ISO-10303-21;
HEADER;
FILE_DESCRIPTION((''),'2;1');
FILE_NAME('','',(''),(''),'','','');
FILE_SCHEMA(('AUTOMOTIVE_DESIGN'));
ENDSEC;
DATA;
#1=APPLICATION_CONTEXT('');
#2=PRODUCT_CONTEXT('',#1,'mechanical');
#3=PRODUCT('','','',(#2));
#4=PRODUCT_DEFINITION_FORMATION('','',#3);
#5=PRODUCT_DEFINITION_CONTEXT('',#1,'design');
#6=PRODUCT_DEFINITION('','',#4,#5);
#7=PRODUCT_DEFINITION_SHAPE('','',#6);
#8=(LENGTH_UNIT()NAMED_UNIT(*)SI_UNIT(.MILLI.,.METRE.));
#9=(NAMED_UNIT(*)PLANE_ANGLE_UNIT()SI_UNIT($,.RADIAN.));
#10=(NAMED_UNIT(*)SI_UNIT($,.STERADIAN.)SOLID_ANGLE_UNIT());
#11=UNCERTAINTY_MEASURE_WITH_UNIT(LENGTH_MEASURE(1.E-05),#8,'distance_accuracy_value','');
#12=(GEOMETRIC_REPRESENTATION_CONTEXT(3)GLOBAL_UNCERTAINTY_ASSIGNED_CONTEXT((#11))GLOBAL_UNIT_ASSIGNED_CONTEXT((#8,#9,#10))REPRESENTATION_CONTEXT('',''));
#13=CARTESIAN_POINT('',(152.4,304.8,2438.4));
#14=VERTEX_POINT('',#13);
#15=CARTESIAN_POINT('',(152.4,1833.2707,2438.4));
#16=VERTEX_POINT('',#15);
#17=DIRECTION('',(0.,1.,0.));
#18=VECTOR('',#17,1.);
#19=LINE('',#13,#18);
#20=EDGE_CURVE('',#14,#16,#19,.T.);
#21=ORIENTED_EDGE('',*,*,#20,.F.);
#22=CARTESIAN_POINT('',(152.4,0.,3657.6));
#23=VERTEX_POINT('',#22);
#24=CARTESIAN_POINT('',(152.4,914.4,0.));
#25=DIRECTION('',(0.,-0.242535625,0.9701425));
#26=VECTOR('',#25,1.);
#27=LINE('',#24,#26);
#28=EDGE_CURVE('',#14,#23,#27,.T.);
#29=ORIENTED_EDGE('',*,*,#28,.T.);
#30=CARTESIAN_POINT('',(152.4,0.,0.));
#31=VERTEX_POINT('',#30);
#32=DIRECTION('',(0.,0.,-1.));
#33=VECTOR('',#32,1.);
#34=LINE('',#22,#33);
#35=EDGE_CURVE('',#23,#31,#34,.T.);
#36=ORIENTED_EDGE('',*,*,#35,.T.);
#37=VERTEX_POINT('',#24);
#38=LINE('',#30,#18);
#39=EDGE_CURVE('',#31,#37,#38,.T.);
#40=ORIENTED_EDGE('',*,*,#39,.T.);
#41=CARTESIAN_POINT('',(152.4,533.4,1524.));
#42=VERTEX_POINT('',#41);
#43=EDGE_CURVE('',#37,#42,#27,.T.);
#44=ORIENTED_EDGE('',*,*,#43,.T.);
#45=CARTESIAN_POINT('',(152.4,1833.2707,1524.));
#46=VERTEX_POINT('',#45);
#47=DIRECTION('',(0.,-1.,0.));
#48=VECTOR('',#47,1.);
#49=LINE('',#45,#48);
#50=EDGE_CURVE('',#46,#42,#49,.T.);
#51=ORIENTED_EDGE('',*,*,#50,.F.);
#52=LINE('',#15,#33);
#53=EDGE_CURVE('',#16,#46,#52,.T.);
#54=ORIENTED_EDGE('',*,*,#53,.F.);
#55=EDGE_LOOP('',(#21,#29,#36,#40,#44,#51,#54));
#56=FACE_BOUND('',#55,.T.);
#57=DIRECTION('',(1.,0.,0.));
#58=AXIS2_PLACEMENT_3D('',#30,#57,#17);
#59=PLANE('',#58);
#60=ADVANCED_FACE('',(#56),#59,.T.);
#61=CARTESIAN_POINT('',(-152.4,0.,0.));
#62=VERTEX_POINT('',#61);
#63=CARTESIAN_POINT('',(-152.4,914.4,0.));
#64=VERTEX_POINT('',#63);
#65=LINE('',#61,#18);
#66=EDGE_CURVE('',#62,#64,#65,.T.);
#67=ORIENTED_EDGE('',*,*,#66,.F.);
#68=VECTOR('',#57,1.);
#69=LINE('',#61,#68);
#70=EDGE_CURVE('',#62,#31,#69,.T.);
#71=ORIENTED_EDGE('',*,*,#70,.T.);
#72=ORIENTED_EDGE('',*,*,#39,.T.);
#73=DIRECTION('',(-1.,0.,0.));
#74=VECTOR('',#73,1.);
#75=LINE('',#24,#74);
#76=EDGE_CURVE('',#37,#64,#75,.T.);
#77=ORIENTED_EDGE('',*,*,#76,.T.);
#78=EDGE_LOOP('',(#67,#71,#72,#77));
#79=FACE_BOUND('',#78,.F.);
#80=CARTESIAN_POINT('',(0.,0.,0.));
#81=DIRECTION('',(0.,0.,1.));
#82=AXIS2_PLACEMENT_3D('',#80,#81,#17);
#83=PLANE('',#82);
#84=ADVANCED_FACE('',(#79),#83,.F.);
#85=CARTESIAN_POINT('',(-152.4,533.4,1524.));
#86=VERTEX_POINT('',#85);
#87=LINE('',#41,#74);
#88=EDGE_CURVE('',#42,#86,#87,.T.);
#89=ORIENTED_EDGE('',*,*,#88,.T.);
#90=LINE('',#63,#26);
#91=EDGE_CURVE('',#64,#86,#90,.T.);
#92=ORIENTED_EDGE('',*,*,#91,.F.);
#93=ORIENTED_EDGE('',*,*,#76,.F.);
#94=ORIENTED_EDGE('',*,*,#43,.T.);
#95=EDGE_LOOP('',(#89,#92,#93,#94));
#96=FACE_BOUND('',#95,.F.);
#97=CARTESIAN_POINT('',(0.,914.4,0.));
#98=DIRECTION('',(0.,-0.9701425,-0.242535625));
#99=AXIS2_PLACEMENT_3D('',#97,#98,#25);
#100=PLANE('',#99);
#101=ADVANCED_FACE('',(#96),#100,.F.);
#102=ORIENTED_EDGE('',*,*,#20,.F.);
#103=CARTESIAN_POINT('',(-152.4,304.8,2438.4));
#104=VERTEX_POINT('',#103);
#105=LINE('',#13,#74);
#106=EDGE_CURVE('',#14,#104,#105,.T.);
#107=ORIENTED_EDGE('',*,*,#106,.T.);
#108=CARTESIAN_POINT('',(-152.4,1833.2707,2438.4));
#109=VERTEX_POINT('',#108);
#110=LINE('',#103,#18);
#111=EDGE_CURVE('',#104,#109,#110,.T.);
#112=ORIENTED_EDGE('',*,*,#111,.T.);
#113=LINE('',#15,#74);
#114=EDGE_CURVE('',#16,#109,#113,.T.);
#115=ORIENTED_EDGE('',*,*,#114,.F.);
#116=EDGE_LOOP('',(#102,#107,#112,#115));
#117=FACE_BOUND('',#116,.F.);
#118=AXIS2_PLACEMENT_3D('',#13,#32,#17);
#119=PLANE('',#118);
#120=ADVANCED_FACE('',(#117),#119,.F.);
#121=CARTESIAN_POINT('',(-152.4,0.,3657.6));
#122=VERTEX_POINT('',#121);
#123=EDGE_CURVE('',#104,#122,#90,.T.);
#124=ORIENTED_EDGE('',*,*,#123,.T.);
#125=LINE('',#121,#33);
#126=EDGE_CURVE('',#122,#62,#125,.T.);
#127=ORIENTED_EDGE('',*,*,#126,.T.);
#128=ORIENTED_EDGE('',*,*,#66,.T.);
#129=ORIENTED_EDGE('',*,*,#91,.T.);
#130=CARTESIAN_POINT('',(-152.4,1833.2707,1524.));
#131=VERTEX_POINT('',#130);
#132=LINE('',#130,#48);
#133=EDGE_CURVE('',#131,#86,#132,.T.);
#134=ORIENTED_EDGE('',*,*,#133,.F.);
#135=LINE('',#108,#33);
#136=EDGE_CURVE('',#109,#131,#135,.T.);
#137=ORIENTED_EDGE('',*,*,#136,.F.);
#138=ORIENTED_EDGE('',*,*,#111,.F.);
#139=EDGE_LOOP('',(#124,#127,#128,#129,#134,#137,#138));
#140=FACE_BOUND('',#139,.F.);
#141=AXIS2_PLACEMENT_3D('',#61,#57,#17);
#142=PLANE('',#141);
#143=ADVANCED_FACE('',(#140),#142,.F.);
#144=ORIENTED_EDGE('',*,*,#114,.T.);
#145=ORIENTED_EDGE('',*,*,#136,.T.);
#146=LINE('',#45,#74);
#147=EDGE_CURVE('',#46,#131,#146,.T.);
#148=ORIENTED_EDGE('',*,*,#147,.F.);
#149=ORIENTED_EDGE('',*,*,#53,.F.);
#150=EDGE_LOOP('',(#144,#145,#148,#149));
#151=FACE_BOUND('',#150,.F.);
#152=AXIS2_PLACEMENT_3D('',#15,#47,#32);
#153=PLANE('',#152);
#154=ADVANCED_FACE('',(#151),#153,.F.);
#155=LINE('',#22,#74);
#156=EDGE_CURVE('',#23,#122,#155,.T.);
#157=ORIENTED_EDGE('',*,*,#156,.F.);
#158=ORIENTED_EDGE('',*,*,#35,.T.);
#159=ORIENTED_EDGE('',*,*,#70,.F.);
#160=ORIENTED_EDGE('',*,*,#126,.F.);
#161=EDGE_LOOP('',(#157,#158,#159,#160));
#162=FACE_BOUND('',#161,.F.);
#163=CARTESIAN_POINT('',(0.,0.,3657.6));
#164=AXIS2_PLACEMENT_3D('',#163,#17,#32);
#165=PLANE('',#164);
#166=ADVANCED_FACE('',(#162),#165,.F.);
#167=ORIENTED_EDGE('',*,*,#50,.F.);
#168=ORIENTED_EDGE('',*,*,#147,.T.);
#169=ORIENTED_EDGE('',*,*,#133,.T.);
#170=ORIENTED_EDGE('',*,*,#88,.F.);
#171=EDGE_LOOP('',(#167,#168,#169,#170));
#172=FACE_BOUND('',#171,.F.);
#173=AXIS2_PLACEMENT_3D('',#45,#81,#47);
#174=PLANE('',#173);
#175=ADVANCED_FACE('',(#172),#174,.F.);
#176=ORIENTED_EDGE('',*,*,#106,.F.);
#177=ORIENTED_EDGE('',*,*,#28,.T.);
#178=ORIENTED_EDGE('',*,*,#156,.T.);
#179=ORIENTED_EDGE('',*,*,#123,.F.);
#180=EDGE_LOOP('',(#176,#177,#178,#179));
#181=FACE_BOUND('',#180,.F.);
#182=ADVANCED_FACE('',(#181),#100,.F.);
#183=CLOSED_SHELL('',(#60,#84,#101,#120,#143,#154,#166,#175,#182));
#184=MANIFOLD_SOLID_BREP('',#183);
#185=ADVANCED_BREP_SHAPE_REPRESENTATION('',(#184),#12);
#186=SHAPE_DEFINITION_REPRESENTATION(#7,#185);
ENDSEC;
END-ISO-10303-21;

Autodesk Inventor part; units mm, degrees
ref_plane "YZ Plane" through (0, 0, 0) normal (1, 0, 0) x (0, 1, 0)
ref_plane "XZ Plane" through (0, 0, 0) normal (0, 1, 0) x (-1, 0, 0)
ref_plane "XY Plane" through (0, 0, 0) normal (0, 0, 1) x (1, 0, 0)
sketch "Sketch1" plane through (0, 0, 0) normal (1, 0, 0) x (0, 1, 0)
  line L0 (0, 0) -> (914.4, 0)
  line L1 (914.4, 0) -> (0, 3657.6)
  line L2 (0, 3657.6) -> (0, 0)
  dimension "rise" = 914.4
  dimension "run" = 3657.6
  dimension "roofAngle" = 14.036
extrude "Extrusion1" add sketch "Sketch1" along normal mid plane 304.8
sketch "Sketch2" plane through (152.4, 0, 0) normal (1, 0, 0) x (0, 0, -1)
  line L0 (0, 914.4) -> (-3657.6, 0) projected
  line L1 (-2438.4, 304.8) -> (-2438.4, 1833.2707)
  line L2 (-2438.4, 1833.2707) -> (-1524, 1833.2707)
  line L3 (-1524, 1833.2707) -> (-1524, 533.4)
  point P0 (0, 0)
  dimension "d5" = 1219.2
  dimension "d6" = 914.4
extrude "Extrusion2" add sketch "Sketch2" against normal blind 304.8
properties part number "roof"
